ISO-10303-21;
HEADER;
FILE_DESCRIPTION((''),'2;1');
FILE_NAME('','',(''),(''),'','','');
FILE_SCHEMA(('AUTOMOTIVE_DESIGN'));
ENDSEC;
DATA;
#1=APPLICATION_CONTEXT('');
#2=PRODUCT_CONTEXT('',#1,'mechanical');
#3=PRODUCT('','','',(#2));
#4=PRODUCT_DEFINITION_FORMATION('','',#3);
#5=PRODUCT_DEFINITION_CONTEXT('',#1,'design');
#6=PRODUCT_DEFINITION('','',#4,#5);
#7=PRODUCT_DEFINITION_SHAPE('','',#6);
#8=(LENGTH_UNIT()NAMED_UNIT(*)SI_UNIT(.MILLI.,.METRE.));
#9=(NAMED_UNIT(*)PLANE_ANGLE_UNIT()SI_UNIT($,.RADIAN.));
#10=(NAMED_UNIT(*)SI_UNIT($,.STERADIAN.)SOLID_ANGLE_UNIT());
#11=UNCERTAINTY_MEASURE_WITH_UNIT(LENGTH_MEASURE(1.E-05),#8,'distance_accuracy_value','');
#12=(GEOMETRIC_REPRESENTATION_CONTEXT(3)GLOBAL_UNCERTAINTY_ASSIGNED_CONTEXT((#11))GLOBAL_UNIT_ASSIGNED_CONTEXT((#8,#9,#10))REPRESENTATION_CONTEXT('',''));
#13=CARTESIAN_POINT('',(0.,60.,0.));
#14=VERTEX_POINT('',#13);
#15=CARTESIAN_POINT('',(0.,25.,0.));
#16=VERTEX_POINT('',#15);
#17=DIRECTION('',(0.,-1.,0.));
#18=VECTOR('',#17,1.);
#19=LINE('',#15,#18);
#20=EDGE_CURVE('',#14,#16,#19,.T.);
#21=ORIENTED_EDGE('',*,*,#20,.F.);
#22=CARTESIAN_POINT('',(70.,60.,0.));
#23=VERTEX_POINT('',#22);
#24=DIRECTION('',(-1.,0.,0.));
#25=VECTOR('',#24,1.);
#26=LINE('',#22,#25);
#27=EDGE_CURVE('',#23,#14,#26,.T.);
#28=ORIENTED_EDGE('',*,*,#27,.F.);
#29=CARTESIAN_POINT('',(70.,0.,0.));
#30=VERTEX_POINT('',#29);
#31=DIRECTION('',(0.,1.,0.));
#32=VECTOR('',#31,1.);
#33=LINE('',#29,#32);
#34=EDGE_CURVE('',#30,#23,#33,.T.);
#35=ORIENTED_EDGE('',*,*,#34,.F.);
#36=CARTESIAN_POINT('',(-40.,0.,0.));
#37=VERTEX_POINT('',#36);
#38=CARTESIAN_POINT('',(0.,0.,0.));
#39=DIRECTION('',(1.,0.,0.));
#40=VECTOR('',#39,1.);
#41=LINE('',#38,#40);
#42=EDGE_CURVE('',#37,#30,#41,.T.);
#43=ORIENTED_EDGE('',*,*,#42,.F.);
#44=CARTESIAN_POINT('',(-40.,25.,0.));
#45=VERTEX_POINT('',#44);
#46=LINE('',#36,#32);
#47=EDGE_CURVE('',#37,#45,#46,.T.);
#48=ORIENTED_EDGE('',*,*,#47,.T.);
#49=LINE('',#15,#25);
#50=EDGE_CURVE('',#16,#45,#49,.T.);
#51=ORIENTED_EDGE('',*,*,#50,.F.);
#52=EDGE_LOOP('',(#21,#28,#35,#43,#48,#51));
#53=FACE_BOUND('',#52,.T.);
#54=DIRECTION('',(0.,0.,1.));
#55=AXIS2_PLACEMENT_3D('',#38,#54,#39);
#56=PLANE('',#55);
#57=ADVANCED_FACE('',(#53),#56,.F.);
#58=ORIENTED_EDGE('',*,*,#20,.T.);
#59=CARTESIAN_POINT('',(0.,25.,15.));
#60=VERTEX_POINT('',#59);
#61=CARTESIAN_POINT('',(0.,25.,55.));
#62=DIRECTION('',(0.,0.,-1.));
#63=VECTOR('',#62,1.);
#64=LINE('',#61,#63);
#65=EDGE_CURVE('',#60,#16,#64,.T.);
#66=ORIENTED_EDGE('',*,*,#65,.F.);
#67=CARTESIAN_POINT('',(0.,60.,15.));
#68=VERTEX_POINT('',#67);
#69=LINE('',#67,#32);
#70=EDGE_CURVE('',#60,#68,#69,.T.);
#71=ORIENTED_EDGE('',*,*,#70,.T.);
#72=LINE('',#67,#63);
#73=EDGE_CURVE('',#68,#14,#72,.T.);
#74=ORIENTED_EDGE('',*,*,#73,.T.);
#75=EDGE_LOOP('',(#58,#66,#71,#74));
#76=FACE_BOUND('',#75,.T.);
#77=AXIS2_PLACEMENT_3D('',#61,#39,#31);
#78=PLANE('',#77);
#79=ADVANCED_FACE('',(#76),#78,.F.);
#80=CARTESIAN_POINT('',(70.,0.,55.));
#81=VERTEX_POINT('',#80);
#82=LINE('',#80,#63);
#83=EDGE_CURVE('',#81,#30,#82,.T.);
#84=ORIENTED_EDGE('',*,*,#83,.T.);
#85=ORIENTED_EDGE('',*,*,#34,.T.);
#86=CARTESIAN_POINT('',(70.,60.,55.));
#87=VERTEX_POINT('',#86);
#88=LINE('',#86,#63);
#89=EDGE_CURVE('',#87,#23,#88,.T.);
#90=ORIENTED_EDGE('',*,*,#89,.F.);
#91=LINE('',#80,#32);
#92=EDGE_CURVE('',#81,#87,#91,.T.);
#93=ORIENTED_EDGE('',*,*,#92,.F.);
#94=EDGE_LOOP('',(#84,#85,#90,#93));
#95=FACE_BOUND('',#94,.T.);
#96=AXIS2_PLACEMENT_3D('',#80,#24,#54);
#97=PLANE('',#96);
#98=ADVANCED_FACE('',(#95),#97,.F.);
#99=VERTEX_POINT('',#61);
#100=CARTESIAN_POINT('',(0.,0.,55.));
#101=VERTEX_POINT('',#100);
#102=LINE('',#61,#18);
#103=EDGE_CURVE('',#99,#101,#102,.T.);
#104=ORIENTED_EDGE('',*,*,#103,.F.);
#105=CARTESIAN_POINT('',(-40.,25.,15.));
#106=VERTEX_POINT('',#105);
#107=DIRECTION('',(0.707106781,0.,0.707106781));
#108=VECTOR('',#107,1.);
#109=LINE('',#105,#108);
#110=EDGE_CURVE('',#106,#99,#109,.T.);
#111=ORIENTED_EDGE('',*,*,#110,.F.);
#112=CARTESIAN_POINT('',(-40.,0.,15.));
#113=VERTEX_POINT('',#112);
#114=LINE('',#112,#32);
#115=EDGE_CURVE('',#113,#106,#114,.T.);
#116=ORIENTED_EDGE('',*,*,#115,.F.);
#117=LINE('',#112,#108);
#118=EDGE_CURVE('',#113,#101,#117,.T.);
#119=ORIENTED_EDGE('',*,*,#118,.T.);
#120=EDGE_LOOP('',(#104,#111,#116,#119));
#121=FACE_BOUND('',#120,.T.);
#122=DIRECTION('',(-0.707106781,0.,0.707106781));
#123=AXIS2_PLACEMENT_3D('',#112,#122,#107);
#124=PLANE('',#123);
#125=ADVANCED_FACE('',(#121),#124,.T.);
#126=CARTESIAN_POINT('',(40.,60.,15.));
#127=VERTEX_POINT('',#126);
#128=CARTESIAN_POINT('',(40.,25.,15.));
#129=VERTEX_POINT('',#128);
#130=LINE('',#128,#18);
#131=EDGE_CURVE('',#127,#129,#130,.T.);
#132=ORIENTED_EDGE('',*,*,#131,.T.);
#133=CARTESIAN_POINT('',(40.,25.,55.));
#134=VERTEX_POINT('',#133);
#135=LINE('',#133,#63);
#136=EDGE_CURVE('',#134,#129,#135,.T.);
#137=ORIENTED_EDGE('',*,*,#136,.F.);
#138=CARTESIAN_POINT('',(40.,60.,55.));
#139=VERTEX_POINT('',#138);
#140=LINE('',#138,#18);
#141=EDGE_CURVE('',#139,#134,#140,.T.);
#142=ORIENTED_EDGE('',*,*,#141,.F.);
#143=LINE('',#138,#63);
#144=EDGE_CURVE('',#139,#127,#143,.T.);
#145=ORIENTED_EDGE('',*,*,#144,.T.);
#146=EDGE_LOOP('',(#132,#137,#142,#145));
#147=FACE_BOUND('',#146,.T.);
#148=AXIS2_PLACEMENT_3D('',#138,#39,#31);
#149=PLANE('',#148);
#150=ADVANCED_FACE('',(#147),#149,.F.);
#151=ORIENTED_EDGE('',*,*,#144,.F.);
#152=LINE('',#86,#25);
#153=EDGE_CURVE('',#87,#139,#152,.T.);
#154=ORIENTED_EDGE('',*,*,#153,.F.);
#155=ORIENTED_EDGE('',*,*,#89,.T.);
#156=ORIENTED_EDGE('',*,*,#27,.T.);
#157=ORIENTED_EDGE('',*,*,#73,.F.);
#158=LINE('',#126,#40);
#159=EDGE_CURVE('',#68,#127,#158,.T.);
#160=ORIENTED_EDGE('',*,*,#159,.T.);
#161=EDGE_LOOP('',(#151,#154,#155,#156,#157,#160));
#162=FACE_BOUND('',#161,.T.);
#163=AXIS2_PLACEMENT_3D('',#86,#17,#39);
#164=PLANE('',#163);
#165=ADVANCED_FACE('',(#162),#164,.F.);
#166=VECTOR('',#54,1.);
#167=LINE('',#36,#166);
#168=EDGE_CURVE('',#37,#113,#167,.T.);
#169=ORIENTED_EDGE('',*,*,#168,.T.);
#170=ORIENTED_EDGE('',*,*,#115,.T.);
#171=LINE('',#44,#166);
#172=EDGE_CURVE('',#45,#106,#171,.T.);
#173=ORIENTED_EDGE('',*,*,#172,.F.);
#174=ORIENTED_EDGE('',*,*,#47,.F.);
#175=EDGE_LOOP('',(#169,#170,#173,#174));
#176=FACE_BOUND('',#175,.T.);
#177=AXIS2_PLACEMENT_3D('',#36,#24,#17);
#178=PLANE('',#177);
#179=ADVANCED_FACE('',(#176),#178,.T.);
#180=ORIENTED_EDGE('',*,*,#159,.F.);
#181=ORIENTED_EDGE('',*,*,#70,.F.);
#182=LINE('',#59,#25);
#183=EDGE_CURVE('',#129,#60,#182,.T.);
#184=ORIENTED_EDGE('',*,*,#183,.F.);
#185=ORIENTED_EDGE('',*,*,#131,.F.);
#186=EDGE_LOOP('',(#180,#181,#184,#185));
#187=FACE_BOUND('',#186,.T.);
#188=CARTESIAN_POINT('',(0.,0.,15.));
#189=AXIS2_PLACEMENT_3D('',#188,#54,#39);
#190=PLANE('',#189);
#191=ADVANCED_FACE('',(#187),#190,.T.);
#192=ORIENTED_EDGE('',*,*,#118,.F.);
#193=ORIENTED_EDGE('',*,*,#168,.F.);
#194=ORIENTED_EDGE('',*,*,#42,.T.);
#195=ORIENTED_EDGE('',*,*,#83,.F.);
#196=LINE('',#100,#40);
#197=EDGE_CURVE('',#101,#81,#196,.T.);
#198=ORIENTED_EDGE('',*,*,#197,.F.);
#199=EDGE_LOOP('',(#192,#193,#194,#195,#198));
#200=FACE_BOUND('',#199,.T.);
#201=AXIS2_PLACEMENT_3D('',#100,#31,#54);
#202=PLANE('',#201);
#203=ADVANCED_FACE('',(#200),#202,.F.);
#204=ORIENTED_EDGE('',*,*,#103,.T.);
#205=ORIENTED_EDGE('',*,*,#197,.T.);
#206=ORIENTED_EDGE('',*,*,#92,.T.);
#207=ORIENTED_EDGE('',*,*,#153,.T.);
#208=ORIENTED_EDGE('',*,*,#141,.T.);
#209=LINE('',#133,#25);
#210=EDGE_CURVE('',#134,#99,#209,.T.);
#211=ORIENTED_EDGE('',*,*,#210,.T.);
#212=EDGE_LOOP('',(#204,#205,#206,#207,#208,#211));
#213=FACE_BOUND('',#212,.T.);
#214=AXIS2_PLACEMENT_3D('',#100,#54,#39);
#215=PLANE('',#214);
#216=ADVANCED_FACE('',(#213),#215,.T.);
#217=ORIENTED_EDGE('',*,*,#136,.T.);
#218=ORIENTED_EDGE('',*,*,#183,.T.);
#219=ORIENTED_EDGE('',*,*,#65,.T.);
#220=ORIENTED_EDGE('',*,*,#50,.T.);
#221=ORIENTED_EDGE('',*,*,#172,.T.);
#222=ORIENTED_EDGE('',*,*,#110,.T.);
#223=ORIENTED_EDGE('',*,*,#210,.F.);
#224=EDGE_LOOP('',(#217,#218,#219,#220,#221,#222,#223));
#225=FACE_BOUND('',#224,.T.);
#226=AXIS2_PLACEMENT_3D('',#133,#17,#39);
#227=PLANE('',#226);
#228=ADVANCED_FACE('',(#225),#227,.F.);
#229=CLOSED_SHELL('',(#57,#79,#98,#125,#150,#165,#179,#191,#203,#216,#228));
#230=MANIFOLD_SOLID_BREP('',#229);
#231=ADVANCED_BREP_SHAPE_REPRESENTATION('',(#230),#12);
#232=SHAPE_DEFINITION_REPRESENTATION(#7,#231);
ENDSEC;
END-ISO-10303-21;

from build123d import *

# Parameters (mm, degrees)
BOSS_EXTRUDE1_DEPTH = 55
SKETCH2_W           = 40
SKETCH2_H           = 35
BOSS_EXTRUDE2_DEPTH = 15
BOSS_EXTRUDE3_DEPTH = 25


with BuildPart() as part:
    # Sketch1 → Boss-Extrude1 (new body)
    with BuildSketch(Plane.XY):
        Polygon((0, 0), (70, 0), (70, 60), (40, 60), (40, 25), (0, 25), align=None)
    extrude(amount=BOSS_EXTRUDE1_DEPTH)

    # Sketch2 → Boss-Extrude2 (add)
    with BuildSketch(Plane(origin=(0, 0, 0), x_dir=(-1, 0, 0), z_dir=(0, 0, -1))):
        with Locations((-20, 42.5)):
            Rectangle(SKETCH2_W, SKETCH2_H)
    extrude(amount=-BOSS_EXTRUDE2_DEPTH)

    # Sketch3 → Boss-Extrude3 (add)
    with BuildSketch(Plane(origin=(0, 25, 0), x_dir=(1, 0, 0), z_dir=(0, 1, 0))):
        Polygon((0, 0), (-40, 0), (-40, -15), (0, -55), align=None)
    extrude(amount=-BOSS_EXTRUDE3_DEPTH)


solid = part.part
